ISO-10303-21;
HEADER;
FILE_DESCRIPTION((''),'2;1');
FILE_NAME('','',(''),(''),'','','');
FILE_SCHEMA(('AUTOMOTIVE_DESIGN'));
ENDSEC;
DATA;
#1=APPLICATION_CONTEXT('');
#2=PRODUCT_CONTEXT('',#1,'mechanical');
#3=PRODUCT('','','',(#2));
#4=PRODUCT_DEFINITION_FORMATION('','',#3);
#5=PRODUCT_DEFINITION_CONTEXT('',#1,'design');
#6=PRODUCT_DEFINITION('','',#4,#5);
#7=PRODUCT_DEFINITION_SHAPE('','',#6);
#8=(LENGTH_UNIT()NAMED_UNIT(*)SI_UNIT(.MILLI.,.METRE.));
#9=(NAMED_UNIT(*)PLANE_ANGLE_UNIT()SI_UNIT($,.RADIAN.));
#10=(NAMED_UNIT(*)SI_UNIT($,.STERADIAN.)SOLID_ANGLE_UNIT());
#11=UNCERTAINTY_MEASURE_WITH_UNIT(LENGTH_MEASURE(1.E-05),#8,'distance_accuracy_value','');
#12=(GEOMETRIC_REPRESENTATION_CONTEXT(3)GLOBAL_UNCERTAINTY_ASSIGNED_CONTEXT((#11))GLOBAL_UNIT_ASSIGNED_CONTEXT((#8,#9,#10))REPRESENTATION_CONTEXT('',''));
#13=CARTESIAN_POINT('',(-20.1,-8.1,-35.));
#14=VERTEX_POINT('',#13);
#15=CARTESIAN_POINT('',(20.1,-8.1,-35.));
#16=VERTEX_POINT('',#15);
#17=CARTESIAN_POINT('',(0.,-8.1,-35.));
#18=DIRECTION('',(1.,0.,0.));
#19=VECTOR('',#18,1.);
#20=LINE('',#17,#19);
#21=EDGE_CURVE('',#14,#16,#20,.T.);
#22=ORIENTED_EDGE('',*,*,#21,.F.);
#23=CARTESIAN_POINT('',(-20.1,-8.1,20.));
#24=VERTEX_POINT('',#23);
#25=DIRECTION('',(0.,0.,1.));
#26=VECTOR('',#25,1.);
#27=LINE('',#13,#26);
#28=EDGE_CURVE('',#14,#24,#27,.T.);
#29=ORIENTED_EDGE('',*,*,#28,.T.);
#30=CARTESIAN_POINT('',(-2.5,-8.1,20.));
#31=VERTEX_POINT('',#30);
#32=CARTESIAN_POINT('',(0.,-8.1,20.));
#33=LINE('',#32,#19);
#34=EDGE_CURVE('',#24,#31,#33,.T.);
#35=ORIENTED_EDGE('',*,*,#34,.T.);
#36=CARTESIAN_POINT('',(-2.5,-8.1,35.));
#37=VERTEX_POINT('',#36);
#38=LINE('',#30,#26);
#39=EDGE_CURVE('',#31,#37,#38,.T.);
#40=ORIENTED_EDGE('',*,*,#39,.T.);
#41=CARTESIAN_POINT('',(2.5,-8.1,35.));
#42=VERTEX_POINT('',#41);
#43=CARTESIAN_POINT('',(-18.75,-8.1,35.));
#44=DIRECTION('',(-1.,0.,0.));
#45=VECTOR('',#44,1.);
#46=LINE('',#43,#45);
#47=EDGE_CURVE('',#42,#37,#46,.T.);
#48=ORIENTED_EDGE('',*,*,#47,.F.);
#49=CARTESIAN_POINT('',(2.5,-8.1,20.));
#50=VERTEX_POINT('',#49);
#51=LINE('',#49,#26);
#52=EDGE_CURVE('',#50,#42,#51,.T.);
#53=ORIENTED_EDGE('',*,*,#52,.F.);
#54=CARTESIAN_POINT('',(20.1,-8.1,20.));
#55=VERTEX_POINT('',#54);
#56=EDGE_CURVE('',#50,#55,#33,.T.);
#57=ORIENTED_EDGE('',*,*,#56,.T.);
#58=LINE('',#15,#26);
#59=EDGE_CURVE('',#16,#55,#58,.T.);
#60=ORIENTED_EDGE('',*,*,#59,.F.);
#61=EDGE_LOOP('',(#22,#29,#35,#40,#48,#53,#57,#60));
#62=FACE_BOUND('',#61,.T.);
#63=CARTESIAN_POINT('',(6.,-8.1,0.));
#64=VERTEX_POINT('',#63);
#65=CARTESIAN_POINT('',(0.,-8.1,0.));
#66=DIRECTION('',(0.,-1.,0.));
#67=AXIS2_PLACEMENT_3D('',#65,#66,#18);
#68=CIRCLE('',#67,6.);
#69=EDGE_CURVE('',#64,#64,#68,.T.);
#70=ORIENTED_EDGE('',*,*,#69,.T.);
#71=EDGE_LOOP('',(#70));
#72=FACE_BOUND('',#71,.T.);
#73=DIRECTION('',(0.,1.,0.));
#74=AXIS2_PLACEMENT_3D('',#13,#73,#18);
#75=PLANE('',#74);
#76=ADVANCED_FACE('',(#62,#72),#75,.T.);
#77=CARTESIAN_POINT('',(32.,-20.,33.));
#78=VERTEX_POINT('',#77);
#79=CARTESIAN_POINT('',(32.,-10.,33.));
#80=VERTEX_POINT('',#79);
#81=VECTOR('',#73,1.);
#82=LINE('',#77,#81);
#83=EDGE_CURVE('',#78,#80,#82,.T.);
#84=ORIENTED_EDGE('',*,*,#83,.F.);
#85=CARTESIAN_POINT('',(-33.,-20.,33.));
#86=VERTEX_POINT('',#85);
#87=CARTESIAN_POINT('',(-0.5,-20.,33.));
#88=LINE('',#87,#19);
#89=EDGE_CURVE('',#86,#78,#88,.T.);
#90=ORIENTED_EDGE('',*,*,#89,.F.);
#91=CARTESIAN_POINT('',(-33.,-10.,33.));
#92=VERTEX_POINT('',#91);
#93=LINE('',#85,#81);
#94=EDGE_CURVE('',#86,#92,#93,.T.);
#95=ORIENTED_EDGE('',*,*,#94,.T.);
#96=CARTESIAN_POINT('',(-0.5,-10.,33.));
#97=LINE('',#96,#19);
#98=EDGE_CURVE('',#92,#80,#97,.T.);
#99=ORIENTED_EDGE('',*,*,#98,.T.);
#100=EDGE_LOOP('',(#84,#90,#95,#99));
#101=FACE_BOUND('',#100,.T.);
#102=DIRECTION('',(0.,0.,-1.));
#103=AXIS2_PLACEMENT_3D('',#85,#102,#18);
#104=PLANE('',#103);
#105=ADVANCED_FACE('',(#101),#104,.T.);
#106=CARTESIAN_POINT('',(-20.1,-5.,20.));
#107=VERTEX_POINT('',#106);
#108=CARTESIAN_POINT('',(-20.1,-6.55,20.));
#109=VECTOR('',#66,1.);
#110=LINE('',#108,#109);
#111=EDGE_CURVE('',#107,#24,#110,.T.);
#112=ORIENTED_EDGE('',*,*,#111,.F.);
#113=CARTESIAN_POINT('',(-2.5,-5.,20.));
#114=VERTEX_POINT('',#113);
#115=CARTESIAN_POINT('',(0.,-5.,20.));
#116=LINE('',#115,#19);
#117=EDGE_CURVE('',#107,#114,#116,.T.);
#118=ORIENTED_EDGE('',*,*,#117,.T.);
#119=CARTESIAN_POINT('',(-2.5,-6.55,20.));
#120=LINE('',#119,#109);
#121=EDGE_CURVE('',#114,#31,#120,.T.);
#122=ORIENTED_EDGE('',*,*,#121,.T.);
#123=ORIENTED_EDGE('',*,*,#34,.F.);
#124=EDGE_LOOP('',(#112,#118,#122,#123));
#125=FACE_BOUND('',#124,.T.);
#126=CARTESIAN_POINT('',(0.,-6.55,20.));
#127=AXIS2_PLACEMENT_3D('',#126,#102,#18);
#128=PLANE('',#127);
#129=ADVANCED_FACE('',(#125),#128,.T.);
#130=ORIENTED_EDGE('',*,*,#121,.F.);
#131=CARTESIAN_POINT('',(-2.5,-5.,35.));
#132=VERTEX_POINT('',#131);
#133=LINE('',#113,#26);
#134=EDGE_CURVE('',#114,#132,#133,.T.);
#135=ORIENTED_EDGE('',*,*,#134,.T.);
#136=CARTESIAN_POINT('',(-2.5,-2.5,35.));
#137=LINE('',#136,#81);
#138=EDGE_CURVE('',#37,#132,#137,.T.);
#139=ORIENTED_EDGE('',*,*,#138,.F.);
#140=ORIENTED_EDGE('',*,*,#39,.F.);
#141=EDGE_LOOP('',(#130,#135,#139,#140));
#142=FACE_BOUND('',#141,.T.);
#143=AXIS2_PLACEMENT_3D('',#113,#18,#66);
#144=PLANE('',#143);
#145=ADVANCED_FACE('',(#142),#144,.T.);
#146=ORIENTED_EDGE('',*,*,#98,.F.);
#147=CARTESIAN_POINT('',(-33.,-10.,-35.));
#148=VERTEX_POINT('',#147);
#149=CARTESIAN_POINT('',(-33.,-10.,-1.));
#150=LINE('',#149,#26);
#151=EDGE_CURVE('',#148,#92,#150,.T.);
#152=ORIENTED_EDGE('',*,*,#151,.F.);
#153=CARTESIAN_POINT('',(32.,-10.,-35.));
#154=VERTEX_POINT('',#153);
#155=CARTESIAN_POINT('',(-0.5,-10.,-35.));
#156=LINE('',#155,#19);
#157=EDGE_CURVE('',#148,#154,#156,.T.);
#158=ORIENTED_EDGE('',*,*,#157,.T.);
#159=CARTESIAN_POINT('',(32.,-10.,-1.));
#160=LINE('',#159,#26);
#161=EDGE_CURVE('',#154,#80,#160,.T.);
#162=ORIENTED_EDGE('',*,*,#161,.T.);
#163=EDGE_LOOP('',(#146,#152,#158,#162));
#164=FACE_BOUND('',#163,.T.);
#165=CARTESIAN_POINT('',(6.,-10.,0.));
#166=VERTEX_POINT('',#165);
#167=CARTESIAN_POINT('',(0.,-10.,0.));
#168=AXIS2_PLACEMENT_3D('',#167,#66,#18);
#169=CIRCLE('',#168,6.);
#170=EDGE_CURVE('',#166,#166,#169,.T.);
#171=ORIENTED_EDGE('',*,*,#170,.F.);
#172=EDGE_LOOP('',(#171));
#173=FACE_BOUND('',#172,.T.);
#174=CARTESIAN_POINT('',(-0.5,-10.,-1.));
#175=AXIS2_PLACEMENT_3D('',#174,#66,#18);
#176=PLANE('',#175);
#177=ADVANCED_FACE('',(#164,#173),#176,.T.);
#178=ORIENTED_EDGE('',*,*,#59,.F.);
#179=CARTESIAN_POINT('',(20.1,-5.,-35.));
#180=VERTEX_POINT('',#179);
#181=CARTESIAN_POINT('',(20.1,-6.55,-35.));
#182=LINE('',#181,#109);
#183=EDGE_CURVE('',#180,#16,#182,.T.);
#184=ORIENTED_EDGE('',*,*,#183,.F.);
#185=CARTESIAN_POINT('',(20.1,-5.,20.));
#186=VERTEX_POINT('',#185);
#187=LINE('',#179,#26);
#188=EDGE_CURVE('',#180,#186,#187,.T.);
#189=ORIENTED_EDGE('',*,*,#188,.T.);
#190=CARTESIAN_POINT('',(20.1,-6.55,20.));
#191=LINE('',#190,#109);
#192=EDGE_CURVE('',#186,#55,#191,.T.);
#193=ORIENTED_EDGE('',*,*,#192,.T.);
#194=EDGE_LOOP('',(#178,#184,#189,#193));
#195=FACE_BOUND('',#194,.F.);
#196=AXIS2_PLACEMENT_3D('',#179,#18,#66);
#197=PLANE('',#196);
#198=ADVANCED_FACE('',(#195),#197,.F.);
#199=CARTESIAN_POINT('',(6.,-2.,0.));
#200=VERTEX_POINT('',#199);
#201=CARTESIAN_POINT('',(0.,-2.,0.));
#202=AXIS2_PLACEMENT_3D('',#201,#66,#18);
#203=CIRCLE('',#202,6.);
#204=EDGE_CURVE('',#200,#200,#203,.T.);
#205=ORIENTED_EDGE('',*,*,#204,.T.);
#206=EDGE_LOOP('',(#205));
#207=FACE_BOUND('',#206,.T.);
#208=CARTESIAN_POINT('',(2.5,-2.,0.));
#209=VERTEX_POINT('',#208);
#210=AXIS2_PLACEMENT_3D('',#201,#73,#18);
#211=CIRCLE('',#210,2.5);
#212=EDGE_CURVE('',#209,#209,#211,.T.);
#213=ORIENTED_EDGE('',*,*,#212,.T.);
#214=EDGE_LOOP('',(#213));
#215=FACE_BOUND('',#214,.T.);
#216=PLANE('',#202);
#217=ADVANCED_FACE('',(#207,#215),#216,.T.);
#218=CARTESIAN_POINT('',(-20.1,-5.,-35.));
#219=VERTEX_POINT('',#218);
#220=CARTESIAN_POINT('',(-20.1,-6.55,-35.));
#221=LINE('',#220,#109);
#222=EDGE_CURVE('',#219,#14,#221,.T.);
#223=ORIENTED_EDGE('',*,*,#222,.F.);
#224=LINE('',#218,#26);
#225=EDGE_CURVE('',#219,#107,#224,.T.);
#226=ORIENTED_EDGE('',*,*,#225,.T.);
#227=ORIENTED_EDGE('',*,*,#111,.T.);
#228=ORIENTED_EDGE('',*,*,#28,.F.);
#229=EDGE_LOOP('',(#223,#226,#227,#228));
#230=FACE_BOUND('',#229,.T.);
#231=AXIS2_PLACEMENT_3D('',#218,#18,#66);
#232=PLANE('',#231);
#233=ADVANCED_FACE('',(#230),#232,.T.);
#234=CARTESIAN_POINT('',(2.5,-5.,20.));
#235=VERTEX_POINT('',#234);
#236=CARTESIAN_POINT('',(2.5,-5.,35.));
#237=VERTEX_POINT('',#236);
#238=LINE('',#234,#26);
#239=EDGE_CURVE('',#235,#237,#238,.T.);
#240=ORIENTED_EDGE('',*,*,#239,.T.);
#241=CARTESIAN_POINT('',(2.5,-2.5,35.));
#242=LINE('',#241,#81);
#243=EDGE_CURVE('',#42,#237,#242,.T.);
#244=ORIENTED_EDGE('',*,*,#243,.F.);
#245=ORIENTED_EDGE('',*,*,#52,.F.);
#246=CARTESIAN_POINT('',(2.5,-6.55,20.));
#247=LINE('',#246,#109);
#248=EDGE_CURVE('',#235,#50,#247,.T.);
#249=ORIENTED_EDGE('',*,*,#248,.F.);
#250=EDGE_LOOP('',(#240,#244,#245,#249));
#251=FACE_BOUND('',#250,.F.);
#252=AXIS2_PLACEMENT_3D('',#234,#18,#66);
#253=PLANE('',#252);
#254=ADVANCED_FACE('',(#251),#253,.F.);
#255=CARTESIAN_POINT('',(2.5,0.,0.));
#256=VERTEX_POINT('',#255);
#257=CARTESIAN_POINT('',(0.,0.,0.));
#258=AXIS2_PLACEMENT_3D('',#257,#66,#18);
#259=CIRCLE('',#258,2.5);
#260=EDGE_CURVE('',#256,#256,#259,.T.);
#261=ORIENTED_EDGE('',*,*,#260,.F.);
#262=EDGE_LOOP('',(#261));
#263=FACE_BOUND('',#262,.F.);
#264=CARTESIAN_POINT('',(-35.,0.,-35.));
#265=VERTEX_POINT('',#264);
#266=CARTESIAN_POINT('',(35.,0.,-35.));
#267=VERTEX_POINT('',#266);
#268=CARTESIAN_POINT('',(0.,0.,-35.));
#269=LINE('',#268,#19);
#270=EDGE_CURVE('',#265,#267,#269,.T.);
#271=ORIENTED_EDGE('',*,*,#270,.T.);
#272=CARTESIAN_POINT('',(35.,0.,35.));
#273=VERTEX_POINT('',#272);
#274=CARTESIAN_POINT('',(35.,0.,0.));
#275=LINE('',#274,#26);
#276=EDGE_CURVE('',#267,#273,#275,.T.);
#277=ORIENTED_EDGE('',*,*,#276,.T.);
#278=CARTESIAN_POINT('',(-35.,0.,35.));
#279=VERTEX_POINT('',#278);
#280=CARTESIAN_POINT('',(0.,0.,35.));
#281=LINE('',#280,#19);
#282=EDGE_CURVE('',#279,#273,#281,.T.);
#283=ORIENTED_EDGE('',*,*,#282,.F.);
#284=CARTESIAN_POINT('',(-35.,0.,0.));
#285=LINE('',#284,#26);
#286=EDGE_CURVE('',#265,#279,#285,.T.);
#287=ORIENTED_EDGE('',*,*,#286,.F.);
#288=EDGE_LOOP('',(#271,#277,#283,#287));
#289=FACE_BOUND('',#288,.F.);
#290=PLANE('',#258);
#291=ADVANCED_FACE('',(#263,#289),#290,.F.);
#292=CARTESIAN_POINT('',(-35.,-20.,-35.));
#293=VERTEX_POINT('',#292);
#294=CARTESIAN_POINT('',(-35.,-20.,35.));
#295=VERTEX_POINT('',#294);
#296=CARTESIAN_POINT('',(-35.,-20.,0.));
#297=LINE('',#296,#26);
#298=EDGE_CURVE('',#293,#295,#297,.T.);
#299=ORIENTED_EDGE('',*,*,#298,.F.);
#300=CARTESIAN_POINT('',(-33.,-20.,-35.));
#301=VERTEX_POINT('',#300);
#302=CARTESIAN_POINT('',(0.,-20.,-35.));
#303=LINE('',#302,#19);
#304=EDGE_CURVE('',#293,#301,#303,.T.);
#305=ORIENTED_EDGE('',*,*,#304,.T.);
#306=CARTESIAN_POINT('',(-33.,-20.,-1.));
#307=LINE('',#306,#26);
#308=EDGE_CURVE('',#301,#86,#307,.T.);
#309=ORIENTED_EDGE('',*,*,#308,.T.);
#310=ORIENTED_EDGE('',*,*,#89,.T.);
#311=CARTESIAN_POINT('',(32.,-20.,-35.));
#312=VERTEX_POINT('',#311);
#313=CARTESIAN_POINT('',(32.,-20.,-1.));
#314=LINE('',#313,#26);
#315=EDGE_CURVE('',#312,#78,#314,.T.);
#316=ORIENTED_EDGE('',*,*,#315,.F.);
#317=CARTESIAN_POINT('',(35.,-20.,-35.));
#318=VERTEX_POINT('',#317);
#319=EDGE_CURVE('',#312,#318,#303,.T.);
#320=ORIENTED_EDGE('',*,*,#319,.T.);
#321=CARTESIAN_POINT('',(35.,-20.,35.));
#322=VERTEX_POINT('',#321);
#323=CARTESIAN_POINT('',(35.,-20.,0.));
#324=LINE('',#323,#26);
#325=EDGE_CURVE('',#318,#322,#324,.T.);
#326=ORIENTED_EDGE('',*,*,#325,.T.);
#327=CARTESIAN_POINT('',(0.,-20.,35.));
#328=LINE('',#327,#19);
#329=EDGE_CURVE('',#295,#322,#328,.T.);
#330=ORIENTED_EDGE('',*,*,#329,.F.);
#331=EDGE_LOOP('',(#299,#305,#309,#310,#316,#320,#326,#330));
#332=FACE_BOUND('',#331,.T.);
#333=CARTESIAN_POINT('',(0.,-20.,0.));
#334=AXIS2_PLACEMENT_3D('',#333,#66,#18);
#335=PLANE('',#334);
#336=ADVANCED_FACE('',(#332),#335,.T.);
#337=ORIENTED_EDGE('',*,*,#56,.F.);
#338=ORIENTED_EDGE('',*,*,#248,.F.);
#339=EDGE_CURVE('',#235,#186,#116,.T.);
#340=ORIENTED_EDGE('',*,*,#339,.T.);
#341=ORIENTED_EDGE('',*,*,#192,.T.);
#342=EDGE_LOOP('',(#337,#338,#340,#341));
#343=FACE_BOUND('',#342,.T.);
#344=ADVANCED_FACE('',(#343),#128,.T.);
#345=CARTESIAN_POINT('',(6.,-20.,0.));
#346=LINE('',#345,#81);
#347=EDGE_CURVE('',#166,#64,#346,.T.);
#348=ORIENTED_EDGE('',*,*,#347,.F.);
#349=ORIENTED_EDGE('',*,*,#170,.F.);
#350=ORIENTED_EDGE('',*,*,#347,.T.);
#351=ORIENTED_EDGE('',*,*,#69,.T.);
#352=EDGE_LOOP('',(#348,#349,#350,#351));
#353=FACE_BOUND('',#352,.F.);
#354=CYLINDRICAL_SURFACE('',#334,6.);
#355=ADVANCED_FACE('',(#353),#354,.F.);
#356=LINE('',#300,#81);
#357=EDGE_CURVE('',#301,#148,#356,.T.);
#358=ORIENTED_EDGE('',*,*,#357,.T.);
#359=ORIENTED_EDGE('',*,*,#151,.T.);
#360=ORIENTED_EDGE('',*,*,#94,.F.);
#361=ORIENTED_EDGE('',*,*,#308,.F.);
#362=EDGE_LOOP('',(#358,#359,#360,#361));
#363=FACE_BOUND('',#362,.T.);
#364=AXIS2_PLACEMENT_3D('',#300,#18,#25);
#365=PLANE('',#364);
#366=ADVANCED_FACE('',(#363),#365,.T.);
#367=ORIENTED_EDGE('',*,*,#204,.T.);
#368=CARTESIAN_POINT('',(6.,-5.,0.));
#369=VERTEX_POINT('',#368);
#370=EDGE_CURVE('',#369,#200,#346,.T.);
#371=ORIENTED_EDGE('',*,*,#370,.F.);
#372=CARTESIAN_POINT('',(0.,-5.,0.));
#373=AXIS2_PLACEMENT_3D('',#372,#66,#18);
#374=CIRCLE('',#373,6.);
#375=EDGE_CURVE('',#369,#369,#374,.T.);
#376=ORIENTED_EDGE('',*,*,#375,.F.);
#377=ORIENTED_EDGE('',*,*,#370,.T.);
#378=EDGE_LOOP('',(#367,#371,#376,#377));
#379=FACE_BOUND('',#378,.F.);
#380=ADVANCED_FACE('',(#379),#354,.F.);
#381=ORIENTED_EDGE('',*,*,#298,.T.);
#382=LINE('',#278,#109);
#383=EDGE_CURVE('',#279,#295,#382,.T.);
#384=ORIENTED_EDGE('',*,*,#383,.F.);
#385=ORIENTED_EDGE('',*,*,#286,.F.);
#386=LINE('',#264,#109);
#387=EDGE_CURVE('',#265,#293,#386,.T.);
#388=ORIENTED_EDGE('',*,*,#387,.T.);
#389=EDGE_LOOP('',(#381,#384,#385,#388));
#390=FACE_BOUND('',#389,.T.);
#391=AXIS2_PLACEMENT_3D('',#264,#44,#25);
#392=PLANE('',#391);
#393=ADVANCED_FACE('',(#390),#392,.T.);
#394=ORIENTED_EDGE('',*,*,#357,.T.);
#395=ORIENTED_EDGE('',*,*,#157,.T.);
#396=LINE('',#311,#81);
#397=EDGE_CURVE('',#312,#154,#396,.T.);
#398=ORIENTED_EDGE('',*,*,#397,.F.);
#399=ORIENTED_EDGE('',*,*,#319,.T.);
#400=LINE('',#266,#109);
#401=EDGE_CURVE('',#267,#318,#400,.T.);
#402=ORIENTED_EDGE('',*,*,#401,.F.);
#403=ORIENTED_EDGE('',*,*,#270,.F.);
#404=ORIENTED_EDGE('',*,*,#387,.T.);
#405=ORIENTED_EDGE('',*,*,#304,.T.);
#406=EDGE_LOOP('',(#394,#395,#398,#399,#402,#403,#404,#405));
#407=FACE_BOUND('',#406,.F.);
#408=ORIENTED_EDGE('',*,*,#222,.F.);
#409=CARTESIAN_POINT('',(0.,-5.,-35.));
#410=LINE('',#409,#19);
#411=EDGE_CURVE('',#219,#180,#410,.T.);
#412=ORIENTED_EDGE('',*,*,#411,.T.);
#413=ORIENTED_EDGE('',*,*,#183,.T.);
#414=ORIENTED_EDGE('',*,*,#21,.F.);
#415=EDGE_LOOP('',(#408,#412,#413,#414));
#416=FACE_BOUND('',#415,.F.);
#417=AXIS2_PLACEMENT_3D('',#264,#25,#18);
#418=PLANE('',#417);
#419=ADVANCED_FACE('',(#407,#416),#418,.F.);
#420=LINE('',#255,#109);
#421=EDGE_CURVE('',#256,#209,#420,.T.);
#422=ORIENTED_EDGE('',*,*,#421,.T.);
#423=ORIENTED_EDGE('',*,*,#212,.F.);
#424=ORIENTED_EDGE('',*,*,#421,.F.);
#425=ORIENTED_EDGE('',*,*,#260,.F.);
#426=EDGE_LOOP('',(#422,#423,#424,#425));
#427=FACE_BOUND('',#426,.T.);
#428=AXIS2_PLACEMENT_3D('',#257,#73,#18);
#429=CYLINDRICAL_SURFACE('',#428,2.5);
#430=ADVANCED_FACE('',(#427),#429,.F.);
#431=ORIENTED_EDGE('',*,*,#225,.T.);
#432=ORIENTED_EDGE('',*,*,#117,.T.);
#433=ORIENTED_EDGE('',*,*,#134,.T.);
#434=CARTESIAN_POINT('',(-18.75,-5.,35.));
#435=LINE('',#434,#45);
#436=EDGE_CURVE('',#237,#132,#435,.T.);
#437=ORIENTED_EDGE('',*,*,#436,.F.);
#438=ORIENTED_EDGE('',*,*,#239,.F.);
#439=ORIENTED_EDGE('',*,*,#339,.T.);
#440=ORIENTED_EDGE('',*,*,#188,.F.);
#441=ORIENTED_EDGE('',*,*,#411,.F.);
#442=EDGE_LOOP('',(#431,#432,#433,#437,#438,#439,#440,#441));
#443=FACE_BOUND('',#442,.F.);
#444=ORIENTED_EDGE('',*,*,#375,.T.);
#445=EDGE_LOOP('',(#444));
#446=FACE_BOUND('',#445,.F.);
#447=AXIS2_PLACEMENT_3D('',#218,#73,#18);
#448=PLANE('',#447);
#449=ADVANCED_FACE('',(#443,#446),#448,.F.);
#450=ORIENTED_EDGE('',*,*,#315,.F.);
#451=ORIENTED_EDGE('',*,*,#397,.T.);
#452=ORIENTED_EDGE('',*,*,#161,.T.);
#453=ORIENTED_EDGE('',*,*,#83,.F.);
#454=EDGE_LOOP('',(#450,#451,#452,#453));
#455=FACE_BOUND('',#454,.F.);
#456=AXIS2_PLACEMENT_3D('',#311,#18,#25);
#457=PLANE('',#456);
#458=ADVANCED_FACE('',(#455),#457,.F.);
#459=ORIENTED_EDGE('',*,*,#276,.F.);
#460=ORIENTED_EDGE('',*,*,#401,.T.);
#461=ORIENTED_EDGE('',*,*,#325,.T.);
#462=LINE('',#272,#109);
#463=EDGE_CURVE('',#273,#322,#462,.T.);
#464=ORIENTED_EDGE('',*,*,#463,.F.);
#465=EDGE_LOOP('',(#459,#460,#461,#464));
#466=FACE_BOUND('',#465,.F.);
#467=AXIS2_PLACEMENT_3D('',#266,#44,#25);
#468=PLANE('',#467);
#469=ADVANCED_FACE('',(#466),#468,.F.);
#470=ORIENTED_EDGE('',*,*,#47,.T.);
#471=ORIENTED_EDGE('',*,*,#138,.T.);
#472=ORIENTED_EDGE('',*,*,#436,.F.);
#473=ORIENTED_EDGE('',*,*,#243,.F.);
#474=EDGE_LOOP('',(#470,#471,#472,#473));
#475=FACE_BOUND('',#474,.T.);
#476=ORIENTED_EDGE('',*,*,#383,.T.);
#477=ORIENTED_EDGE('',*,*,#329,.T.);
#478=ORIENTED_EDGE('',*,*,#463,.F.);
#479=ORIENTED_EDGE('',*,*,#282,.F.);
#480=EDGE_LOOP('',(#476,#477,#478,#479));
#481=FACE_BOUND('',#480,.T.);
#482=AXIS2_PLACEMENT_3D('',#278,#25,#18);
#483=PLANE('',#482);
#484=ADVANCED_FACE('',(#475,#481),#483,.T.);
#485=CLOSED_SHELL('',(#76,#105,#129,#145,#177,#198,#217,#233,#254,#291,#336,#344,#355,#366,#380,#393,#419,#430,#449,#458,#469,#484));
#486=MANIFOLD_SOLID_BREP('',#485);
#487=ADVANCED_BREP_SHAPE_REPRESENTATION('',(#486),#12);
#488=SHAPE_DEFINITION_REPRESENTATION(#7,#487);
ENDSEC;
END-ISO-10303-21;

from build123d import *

# Parameters (mm, degrees)
F0_W     = 70
F0_H     = 70
F0_R     = 2.5
F1_DEPTH = 20
F2_W     = 40.2
F2_H     = 3.1
F3_DEPTH = 55
F4_R     = 6
F5_DEPTH = 18
F6_W     = 65
F6_H     = 68
F7_DEPTH = 10
F8_W     = 5
F8_H     = 3.1
F9_DEPTH = 15.001


with BuildPart() as f1:
    # F0 (on Front) → F1 (new body)
    with BuildSketch(Plane.XZ):
        Rectangle(F0_W, F0_H)
        Circle(F0_R, mode=Mode.SUBTRACT)
    extrude(amount=F1_DEPTH)

    # F2 (on face) → F3 (cut)
    with BuildSketch(Plane(origin=(0, 0, -35), x_dir=(1, 0, 0), z_dir=(0, 0, -1))):
        with Locations((0, 6.55)):
            Rectangle(F2_W, F2_H)
    extrude(amount=-F3_DEPTH, mode=Mode.SUBTRACT)

    # F4 (on face) → F5 (cut)
    with BuildSketch(Plane.XZ.offset(20)):
        Circle(F4_R)
    extrude(amount=-F5_DEPTH, mode=Mode.SUBTRACT)

    # F6 (on face) → F7 (cut)
    with BuildSketch(Plane.XZ.offset(20)):
        with Locations((-0.5, -1)):
            Rectangle(F6_W, F6_H)
    extrude(amount=-F7_DEPTH, mode=Mode.SUBTRACT)

    # F8 (on face) → F9 (cut, through all)
    with BuildSketch(Plane(origin=(0, 0, 20), x_dir=(1, 0, 0), z_dir=(0, 0, -1))):
        with Locations((0, 6.55)):
            Rectangle(F8_W, F8_H)
    extrude(amount=-F9_DEPTH, mode=Mode.SUBTRACT)


solid = f1.part
